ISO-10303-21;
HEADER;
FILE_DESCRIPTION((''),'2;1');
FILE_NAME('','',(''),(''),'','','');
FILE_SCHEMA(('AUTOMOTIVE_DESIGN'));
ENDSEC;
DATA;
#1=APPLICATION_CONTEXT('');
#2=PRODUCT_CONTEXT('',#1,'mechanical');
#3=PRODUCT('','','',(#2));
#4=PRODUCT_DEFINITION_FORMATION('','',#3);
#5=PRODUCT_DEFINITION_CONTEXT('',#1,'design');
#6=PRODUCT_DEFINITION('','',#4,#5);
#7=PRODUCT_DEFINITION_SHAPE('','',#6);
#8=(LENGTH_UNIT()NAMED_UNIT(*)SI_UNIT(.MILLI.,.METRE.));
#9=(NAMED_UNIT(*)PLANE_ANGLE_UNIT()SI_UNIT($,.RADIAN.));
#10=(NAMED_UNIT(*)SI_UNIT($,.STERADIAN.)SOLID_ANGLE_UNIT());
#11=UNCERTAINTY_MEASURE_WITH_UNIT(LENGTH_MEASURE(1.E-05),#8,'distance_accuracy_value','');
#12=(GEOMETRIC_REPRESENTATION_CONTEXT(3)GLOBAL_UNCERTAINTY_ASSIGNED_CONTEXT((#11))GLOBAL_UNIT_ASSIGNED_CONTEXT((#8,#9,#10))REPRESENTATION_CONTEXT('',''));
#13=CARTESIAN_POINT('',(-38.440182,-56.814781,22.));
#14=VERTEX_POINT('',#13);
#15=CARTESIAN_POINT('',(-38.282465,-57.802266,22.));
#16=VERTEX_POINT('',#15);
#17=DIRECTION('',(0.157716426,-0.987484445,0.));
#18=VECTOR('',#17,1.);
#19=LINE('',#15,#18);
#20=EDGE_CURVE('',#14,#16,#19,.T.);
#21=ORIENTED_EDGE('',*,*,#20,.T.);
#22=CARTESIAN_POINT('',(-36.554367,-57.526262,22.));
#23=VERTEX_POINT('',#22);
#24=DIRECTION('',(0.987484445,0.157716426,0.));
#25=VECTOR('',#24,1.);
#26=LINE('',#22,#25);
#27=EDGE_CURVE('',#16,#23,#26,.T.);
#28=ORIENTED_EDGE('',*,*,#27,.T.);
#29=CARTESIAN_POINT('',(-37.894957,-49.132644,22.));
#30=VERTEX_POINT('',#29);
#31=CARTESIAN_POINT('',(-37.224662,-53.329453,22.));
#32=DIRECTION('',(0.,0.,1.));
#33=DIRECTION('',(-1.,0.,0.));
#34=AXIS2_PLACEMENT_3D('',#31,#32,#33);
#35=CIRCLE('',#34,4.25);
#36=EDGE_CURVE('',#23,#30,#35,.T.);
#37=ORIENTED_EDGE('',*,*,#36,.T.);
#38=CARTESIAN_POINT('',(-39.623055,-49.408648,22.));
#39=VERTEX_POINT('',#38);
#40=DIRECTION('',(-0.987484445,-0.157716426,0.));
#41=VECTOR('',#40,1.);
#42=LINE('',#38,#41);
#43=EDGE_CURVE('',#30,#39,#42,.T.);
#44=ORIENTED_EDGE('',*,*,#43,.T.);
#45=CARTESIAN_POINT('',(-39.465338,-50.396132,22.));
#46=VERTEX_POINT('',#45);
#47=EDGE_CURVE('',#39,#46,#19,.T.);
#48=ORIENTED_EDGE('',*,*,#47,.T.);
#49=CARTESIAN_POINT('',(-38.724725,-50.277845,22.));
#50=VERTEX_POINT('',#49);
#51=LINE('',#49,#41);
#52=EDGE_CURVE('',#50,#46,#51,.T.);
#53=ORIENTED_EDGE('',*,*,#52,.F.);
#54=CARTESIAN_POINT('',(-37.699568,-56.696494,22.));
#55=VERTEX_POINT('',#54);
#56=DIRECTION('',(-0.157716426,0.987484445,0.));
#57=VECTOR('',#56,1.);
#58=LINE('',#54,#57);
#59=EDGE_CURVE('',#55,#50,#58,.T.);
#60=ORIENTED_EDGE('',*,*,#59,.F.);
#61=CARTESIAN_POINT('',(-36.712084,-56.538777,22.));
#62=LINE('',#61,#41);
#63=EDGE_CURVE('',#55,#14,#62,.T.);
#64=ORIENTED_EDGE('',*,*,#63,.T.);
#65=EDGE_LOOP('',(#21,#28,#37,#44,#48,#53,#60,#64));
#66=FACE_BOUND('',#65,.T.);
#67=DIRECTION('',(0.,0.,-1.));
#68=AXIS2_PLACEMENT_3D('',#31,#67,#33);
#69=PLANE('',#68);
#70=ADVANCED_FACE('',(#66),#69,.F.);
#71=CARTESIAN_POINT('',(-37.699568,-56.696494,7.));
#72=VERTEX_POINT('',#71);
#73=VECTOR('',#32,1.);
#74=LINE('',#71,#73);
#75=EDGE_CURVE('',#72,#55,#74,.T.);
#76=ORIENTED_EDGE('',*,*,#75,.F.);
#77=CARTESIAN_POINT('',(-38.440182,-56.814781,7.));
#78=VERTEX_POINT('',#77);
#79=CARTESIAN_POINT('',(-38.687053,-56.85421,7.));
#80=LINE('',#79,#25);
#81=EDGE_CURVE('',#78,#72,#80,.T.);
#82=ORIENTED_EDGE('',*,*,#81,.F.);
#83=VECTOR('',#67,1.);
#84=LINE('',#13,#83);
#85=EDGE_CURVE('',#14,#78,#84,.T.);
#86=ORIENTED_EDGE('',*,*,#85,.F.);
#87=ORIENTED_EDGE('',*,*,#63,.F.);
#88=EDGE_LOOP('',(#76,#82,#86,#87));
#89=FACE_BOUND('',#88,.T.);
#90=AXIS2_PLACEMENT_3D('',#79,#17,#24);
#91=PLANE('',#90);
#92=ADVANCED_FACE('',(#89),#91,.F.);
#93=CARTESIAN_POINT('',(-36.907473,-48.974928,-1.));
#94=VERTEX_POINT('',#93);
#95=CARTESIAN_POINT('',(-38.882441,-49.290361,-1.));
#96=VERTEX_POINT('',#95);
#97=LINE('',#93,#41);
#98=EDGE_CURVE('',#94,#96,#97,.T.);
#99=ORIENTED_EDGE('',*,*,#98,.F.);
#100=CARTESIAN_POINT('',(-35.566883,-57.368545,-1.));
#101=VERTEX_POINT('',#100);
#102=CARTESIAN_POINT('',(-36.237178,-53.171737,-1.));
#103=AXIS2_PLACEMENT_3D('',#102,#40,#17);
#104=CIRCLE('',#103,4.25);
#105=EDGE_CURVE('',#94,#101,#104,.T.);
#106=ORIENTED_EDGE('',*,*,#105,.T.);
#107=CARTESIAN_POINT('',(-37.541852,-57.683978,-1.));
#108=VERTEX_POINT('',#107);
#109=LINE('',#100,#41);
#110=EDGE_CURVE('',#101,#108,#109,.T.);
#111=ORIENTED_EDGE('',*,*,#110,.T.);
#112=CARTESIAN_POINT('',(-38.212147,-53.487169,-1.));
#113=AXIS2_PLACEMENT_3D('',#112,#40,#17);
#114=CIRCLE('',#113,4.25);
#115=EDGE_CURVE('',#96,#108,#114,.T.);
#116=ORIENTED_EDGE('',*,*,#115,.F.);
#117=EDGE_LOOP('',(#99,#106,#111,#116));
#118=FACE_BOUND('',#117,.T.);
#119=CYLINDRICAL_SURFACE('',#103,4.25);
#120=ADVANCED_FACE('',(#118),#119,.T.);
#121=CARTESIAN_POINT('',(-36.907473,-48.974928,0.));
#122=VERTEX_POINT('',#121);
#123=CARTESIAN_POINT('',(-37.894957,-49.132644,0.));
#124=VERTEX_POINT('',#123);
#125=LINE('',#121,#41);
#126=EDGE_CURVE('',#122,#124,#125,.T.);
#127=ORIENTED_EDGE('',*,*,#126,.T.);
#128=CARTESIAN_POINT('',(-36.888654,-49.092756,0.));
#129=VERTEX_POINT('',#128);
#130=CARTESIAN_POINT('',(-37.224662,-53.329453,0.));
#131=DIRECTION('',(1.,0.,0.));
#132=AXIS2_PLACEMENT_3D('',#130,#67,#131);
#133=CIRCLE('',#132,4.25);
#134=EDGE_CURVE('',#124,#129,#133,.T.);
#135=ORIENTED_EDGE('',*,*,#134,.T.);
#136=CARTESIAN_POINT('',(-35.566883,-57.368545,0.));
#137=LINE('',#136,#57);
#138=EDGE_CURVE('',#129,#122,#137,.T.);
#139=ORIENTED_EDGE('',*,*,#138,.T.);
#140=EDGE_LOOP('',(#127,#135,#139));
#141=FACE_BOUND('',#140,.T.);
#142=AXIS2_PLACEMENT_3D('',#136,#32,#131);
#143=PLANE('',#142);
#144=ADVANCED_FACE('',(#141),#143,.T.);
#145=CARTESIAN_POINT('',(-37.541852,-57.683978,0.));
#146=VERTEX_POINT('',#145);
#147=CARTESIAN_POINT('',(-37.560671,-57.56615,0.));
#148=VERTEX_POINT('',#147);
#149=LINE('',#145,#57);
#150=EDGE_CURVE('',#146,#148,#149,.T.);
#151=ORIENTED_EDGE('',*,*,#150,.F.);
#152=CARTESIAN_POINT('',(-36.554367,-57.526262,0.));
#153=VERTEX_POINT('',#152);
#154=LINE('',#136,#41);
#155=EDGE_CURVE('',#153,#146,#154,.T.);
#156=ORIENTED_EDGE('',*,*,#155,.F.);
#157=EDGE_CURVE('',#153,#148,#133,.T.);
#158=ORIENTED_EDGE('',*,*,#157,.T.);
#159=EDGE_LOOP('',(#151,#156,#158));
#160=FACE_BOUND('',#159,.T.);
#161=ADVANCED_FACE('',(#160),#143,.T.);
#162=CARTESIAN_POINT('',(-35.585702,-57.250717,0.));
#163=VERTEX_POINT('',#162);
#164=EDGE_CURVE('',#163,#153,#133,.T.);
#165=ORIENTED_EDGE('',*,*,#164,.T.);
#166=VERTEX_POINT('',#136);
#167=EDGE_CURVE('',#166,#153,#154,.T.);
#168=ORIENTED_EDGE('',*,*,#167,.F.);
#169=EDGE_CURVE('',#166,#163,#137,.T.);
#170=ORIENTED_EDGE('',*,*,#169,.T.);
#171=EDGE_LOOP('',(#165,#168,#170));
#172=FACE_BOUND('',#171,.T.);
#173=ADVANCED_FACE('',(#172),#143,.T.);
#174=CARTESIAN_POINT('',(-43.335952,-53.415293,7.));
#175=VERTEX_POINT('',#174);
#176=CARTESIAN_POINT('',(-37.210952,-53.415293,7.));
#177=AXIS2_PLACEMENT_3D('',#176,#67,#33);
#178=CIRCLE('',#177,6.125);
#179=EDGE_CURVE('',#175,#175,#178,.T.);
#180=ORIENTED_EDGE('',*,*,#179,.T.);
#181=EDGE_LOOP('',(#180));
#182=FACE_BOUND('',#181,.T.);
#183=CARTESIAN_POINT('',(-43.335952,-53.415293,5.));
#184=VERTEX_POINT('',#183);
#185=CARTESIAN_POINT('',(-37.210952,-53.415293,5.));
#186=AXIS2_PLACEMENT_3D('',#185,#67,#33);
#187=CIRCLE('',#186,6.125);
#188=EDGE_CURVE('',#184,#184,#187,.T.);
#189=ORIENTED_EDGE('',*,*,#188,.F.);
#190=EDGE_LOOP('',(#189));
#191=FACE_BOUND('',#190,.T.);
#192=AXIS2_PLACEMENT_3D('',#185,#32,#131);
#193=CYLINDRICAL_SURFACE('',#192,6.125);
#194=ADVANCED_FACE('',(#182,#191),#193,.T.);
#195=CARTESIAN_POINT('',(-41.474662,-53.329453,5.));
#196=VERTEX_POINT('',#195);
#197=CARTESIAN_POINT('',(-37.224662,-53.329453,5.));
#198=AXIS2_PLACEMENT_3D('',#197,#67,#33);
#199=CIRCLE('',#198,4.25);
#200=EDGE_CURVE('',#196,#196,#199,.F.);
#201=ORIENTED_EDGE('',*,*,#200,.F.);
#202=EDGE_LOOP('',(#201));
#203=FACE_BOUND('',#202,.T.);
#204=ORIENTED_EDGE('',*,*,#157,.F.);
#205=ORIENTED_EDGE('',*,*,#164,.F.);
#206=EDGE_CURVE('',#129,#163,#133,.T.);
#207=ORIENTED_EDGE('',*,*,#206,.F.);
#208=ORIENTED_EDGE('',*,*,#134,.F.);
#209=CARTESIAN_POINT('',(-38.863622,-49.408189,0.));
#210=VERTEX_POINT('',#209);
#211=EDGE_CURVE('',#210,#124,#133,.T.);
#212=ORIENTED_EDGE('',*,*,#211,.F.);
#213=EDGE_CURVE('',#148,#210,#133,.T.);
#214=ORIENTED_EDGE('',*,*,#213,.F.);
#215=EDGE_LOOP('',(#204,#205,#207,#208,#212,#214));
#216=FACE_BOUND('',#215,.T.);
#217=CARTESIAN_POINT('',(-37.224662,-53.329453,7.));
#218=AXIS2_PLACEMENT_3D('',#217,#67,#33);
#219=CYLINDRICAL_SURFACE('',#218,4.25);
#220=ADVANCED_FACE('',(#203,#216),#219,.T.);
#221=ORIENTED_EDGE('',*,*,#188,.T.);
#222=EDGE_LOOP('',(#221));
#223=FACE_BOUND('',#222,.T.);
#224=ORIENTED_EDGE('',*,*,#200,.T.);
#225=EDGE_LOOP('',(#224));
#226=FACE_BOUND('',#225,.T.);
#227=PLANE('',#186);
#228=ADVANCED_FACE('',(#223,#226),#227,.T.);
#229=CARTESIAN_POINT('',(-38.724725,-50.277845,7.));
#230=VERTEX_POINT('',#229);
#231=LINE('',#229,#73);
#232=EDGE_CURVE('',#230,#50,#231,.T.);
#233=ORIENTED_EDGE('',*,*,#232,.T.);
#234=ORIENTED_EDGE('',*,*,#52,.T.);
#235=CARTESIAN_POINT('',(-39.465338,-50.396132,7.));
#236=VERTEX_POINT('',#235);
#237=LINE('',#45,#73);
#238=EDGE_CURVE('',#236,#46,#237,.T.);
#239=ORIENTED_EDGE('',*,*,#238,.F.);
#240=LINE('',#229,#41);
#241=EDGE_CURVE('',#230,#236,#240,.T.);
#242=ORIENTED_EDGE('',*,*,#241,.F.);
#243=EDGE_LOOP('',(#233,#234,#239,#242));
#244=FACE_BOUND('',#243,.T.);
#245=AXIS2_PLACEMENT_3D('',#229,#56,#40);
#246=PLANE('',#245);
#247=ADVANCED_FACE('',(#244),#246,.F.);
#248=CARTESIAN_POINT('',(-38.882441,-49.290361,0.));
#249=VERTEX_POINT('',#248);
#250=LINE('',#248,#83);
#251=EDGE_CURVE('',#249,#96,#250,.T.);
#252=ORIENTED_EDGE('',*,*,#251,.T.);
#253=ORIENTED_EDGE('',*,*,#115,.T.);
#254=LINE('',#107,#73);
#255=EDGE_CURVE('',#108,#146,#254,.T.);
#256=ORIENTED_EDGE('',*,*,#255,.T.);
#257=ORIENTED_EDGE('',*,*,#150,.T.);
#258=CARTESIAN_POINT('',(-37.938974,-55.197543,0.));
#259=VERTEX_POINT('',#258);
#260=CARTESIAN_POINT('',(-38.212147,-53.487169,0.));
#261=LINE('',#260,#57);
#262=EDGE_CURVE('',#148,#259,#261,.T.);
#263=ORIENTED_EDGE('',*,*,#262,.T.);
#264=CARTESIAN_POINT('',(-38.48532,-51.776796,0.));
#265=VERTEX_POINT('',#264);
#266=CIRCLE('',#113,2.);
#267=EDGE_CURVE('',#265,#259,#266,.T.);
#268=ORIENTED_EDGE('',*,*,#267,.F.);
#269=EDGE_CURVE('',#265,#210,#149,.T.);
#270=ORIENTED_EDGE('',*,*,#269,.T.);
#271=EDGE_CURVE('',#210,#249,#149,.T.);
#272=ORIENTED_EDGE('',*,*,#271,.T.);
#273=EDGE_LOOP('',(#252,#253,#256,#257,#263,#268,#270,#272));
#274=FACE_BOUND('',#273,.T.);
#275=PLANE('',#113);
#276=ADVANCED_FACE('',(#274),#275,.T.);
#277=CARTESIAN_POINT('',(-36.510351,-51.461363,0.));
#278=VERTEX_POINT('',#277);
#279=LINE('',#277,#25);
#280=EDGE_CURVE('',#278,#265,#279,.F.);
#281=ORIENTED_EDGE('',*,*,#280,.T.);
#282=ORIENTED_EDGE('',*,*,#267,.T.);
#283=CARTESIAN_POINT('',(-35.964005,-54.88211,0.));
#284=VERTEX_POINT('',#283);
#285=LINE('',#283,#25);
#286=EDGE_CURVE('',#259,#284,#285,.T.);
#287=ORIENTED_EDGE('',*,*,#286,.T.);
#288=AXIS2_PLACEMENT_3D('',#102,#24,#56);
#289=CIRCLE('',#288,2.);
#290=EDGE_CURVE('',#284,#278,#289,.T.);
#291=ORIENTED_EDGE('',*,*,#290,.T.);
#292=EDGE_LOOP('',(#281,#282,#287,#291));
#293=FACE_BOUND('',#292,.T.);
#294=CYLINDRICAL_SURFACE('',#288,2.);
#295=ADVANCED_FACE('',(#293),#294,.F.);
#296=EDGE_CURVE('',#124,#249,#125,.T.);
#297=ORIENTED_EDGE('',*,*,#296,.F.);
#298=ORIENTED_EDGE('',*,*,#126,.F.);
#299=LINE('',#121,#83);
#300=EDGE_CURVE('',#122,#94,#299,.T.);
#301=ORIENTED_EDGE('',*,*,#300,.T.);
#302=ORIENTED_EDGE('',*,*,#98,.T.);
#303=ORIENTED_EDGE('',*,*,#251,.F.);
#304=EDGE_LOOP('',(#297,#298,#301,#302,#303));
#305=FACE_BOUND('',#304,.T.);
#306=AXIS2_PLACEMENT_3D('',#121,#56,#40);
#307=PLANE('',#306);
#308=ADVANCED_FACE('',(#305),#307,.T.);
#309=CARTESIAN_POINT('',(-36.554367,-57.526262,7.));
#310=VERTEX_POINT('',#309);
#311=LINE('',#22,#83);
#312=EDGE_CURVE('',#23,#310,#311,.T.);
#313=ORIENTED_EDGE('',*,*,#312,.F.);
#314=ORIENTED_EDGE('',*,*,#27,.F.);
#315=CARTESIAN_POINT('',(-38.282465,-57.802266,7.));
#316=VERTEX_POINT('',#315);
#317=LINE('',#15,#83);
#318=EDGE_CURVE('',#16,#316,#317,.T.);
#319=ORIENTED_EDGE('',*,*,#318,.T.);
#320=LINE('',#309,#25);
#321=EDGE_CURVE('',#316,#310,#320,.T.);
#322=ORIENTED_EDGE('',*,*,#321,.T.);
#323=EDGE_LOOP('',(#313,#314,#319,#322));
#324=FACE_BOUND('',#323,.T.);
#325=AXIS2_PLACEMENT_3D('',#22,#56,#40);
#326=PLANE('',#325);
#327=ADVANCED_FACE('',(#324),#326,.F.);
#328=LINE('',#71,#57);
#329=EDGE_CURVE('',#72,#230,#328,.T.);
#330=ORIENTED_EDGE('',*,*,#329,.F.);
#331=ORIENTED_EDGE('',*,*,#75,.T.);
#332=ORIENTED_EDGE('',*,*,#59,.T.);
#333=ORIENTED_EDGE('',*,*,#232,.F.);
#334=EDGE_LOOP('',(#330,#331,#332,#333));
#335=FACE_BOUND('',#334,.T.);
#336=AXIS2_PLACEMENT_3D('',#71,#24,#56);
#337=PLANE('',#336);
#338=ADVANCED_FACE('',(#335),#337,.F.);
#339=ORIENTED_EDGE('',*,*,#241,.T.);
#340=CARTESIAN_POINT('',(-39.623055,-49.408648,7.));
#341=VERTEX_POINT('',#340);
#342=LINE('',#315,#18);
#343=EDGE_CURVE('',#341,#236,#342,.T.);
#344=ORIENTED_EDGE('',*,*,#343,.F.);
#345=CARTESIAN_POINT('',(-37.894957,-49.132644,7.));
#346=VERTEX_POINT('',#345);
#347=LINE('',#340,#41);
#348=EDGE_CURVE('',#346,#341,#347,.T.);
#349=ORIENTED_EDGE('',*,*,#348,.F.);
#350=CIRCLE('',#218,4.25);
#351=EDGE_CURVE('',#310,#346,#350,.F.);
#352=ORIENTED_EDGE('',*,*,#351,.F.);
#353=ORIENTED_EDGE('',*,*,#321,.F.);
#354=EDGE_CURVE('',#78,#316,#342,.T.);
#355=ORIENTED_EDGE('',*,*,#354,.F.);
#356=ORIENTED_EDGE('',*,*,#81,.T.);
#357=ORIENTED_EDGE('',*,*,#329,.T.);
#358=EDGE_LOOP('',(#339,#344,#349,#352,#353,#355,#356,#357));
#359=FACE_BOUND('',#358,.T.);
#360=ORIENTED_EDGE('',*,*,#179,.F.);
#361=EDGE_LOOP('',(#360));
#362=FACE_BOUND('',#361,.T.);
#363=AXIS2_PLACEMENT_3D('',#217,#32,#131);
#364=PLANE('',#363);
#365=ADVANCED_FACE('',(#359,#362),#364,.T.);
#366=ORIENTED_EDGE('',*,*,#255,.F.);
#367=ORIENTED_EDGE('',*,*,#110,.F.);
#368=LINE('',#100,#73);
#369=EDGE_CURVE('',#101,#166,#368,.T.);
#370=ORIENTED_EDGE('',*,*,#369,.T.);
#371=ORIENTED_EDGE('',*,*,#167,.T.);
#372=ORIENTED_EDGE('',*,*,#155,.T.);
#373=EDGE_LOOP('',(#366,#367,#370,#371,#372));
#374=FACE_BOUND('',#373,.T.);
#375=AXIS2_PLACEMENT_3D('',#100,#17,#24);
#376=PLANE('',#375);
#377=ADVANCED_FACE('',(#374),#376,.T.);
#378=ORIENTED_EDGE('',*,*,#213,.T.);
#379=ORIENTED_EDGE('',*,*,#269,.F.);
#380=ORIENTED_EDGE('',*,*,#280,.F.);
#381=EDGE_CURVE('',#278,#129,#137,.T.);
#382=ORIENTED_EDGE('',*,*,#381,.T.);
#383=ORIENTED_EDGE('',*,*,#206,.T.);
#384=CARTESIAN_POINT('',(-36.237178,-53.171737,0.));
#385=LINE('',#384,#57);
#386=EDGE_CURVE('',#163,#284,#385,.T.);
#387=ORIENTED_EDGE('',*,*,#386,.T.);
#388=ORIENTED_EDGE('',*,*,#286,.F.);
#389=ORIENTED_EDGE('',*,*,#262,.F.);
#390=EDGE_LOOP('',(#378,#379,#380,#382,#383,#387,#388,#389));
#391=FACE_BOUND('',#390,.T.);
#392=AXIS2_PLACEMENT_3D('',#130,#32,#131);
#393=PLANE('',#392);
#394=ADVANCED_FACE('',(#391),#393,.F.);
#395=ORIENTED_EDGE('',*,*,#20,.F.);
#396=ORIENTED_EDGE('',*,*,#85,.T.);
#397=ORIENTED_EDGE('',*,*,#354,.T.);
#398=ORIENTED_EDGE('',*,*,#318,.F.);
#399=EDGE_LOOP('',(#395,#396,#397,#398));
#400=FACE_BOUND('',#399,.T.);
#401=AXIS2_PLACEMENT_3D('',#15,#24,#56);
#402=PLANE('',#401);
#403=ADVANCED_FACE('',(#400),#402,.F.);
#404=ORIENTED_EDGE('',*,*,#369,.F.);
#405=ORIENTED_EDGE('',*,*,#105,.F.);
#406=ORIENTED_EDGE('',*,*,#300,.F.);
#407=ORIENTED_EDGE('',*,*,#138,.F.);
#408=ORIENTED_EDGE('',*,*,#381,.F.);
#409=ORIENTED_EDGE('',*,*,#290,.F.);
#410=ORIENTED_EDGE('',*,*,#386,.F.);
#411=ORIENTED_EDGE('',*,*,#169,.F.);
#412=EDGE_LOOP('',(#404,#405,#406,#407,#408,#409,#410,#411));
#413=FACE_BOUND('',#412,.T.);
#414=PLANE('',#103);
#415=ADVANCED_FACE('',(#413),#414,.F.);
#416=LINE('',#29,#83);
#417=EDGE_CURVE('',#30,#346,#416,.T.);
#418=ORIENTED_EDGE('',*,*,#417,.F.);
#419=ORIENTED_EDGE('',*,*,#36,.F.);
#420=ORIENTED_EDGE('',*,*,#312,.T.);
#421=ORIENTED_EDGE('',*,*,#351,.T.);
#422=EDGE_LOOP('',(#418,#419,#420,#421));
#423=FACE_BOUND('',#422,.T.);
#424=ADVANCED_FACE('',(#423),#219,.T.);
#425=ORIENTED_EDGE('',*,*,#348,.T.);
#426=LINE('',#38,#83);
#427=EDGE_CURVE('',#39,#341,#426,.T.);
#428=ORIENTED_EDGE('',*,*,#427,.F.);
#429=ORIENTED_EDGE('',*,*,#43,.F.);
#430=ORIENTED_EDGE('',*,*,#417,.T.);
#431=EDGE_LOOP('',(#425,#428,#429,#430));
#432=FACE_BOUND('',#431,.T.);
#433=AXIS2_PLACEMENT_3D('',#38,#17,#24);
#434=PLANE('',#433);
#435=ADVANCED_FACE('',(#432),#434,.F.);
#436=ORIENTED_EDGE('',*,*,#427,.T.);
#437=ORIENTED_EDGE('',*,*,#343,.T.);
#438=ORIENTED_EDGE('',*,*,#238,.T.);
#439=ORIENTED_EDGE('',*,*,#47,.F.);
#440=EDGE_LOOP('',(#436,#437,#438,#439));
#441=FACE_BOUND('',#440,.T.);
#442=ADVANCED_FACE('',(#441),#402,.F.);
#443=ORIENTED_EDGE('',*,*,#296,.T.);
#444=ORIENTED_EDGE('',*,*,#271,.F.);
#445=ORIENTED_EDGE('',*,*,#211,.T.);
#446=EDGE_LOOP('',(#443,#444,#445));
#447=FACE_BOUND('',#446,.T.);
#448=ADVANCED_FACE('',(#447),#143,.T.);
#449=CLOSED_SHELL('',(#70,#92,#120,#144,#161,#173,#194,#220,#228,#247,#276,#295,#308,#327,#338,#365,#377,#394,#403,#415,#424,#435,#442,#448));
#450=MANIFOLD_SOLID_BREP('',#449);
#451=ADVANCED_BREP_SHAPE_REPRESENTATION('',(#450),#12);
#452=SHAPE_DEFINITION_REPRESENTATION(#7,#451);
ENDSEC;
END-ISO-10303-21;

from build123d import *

# Parameters (mm, degrees)
SALIENTE_EXTRUIR1_DEPTH           = 2
DI_METRO_DE_TALADRO_4_0_4_1_D     = 4
DI_METRO_DE_TALADRO_4_0_4_1_DEPTH = 3.323811401
CROQUIS4_R                        = 4.25
SALIENTE_EXTRUIR2_DEPTH           = 7
SALIENTE_EXTRUIR3_DEPTH           = 15
CORTAR_EXTRUIR1_DEPTH             = 15
CROQUIS7_R                        = 6.125
SALIENTE_EXTRUIR4_DEPTH           = 2


with BuildPart() as part:
    # Croquis1 → Saliente-Extruir1 (new body)
    with BuildSketch(Plane(origin=(-45.591866133, -7.28172098, 0), x_dir=(0.15771642640636402, -0.9874844448605792, 0), z_dir=(-0.9874844448605792, -0.15771642640636402, 0))):
        with BuildLine():
            Line((51.04106459, 0), (42.54106459, 0))
            Line((42.54106459, 0), (42.54106459, -1))
            ThreePointArc((42.54106459, -1), (46.79106459, -5.25), (51.04106459, -1))
            Line((51.04106459, -1), (51.04106459, 0))
        make_face()
    extrude(amount=-SALIENTE_EXTRUIR1_DEPTH)

    # Diámetro de taladro Ø4.0 (4)1
    with Locations(Plane(origin=(-43.616897243, -6.966288127, 0), x_dir=(0, 0, -1), z_dir=(0.9874844448605791, 0.15771642640636402, 0))):
        with Locations((1, -46.79106459)):
            Hole(DI_METRO_DE_TALADRO_4_0_4_1_D / 2, depth=DI_METRO_DE_TALADRO_4_0_4_1_DEPTH)

    # Croquis4 → Saliente-Extruir2 (add)
    with BuildSketch(Plane(origin=(0, 0, 0), x_dir=(-1, 0, 0), z_dir=(0, 0, -1))):
        with Locations(Location((37.224662193, -53.329452995, 0), (0, 0, 67.316665151))):
            Circle(CROQUIS4_R)
    extrude(amount=-SALIENTE_EXTRUIR2_DEPTH)

    # Croquis5 → Saliente-Extruir3 (add)
    with BuildSketch(Plane.XY.offset(7)):
        with BuildLine():
            Line((-39.623054784, -49.408647851), (-37.894957006, -49.132644104))
            ThreePointArc((-37.894957006, -49.132644104), (-33.027853303, -52.659158183), (-36.554367381, -57.526261886))
            Line((-36.554367381, -57.526261886), (-38.28246516, -57.802265632))
            Line((-38.28246516, -57.802265632), (-39.623054784, -49.408647851))
        make_face()
    extrude(amount=SALIENTE_EXTRUIR3_DEPTH)

    # Croquis6 → Cortar-Extruir1 (cut)
    with BuildSketch(Plane.XY.offset(22)):
        Polygon((-38.724725024, -50.277844976), (-39.712209469, -50.435561402), (-38.687052697, -56.854210294), (-37.699568252, -56.696493867), align=None)
    extrude(amount=-CORTAR_EXTRUIR1_DEPTH, mode=Mode.SUBTRACT)

    # Croquis7 → Saliente-Extruir4 (add)
    with BuildSketch(Plane(origin=(0, 0, 7), x_dir=(-1, 0, 0), z_dir=(0, 0, -1))):
        with Locations((37.21095217, -53.415293358)):
            Circle(CROQUIS7_R)
    extrude(amount=SALIENTE_EXTRUIR4_DEPTH)


solid = part.part
